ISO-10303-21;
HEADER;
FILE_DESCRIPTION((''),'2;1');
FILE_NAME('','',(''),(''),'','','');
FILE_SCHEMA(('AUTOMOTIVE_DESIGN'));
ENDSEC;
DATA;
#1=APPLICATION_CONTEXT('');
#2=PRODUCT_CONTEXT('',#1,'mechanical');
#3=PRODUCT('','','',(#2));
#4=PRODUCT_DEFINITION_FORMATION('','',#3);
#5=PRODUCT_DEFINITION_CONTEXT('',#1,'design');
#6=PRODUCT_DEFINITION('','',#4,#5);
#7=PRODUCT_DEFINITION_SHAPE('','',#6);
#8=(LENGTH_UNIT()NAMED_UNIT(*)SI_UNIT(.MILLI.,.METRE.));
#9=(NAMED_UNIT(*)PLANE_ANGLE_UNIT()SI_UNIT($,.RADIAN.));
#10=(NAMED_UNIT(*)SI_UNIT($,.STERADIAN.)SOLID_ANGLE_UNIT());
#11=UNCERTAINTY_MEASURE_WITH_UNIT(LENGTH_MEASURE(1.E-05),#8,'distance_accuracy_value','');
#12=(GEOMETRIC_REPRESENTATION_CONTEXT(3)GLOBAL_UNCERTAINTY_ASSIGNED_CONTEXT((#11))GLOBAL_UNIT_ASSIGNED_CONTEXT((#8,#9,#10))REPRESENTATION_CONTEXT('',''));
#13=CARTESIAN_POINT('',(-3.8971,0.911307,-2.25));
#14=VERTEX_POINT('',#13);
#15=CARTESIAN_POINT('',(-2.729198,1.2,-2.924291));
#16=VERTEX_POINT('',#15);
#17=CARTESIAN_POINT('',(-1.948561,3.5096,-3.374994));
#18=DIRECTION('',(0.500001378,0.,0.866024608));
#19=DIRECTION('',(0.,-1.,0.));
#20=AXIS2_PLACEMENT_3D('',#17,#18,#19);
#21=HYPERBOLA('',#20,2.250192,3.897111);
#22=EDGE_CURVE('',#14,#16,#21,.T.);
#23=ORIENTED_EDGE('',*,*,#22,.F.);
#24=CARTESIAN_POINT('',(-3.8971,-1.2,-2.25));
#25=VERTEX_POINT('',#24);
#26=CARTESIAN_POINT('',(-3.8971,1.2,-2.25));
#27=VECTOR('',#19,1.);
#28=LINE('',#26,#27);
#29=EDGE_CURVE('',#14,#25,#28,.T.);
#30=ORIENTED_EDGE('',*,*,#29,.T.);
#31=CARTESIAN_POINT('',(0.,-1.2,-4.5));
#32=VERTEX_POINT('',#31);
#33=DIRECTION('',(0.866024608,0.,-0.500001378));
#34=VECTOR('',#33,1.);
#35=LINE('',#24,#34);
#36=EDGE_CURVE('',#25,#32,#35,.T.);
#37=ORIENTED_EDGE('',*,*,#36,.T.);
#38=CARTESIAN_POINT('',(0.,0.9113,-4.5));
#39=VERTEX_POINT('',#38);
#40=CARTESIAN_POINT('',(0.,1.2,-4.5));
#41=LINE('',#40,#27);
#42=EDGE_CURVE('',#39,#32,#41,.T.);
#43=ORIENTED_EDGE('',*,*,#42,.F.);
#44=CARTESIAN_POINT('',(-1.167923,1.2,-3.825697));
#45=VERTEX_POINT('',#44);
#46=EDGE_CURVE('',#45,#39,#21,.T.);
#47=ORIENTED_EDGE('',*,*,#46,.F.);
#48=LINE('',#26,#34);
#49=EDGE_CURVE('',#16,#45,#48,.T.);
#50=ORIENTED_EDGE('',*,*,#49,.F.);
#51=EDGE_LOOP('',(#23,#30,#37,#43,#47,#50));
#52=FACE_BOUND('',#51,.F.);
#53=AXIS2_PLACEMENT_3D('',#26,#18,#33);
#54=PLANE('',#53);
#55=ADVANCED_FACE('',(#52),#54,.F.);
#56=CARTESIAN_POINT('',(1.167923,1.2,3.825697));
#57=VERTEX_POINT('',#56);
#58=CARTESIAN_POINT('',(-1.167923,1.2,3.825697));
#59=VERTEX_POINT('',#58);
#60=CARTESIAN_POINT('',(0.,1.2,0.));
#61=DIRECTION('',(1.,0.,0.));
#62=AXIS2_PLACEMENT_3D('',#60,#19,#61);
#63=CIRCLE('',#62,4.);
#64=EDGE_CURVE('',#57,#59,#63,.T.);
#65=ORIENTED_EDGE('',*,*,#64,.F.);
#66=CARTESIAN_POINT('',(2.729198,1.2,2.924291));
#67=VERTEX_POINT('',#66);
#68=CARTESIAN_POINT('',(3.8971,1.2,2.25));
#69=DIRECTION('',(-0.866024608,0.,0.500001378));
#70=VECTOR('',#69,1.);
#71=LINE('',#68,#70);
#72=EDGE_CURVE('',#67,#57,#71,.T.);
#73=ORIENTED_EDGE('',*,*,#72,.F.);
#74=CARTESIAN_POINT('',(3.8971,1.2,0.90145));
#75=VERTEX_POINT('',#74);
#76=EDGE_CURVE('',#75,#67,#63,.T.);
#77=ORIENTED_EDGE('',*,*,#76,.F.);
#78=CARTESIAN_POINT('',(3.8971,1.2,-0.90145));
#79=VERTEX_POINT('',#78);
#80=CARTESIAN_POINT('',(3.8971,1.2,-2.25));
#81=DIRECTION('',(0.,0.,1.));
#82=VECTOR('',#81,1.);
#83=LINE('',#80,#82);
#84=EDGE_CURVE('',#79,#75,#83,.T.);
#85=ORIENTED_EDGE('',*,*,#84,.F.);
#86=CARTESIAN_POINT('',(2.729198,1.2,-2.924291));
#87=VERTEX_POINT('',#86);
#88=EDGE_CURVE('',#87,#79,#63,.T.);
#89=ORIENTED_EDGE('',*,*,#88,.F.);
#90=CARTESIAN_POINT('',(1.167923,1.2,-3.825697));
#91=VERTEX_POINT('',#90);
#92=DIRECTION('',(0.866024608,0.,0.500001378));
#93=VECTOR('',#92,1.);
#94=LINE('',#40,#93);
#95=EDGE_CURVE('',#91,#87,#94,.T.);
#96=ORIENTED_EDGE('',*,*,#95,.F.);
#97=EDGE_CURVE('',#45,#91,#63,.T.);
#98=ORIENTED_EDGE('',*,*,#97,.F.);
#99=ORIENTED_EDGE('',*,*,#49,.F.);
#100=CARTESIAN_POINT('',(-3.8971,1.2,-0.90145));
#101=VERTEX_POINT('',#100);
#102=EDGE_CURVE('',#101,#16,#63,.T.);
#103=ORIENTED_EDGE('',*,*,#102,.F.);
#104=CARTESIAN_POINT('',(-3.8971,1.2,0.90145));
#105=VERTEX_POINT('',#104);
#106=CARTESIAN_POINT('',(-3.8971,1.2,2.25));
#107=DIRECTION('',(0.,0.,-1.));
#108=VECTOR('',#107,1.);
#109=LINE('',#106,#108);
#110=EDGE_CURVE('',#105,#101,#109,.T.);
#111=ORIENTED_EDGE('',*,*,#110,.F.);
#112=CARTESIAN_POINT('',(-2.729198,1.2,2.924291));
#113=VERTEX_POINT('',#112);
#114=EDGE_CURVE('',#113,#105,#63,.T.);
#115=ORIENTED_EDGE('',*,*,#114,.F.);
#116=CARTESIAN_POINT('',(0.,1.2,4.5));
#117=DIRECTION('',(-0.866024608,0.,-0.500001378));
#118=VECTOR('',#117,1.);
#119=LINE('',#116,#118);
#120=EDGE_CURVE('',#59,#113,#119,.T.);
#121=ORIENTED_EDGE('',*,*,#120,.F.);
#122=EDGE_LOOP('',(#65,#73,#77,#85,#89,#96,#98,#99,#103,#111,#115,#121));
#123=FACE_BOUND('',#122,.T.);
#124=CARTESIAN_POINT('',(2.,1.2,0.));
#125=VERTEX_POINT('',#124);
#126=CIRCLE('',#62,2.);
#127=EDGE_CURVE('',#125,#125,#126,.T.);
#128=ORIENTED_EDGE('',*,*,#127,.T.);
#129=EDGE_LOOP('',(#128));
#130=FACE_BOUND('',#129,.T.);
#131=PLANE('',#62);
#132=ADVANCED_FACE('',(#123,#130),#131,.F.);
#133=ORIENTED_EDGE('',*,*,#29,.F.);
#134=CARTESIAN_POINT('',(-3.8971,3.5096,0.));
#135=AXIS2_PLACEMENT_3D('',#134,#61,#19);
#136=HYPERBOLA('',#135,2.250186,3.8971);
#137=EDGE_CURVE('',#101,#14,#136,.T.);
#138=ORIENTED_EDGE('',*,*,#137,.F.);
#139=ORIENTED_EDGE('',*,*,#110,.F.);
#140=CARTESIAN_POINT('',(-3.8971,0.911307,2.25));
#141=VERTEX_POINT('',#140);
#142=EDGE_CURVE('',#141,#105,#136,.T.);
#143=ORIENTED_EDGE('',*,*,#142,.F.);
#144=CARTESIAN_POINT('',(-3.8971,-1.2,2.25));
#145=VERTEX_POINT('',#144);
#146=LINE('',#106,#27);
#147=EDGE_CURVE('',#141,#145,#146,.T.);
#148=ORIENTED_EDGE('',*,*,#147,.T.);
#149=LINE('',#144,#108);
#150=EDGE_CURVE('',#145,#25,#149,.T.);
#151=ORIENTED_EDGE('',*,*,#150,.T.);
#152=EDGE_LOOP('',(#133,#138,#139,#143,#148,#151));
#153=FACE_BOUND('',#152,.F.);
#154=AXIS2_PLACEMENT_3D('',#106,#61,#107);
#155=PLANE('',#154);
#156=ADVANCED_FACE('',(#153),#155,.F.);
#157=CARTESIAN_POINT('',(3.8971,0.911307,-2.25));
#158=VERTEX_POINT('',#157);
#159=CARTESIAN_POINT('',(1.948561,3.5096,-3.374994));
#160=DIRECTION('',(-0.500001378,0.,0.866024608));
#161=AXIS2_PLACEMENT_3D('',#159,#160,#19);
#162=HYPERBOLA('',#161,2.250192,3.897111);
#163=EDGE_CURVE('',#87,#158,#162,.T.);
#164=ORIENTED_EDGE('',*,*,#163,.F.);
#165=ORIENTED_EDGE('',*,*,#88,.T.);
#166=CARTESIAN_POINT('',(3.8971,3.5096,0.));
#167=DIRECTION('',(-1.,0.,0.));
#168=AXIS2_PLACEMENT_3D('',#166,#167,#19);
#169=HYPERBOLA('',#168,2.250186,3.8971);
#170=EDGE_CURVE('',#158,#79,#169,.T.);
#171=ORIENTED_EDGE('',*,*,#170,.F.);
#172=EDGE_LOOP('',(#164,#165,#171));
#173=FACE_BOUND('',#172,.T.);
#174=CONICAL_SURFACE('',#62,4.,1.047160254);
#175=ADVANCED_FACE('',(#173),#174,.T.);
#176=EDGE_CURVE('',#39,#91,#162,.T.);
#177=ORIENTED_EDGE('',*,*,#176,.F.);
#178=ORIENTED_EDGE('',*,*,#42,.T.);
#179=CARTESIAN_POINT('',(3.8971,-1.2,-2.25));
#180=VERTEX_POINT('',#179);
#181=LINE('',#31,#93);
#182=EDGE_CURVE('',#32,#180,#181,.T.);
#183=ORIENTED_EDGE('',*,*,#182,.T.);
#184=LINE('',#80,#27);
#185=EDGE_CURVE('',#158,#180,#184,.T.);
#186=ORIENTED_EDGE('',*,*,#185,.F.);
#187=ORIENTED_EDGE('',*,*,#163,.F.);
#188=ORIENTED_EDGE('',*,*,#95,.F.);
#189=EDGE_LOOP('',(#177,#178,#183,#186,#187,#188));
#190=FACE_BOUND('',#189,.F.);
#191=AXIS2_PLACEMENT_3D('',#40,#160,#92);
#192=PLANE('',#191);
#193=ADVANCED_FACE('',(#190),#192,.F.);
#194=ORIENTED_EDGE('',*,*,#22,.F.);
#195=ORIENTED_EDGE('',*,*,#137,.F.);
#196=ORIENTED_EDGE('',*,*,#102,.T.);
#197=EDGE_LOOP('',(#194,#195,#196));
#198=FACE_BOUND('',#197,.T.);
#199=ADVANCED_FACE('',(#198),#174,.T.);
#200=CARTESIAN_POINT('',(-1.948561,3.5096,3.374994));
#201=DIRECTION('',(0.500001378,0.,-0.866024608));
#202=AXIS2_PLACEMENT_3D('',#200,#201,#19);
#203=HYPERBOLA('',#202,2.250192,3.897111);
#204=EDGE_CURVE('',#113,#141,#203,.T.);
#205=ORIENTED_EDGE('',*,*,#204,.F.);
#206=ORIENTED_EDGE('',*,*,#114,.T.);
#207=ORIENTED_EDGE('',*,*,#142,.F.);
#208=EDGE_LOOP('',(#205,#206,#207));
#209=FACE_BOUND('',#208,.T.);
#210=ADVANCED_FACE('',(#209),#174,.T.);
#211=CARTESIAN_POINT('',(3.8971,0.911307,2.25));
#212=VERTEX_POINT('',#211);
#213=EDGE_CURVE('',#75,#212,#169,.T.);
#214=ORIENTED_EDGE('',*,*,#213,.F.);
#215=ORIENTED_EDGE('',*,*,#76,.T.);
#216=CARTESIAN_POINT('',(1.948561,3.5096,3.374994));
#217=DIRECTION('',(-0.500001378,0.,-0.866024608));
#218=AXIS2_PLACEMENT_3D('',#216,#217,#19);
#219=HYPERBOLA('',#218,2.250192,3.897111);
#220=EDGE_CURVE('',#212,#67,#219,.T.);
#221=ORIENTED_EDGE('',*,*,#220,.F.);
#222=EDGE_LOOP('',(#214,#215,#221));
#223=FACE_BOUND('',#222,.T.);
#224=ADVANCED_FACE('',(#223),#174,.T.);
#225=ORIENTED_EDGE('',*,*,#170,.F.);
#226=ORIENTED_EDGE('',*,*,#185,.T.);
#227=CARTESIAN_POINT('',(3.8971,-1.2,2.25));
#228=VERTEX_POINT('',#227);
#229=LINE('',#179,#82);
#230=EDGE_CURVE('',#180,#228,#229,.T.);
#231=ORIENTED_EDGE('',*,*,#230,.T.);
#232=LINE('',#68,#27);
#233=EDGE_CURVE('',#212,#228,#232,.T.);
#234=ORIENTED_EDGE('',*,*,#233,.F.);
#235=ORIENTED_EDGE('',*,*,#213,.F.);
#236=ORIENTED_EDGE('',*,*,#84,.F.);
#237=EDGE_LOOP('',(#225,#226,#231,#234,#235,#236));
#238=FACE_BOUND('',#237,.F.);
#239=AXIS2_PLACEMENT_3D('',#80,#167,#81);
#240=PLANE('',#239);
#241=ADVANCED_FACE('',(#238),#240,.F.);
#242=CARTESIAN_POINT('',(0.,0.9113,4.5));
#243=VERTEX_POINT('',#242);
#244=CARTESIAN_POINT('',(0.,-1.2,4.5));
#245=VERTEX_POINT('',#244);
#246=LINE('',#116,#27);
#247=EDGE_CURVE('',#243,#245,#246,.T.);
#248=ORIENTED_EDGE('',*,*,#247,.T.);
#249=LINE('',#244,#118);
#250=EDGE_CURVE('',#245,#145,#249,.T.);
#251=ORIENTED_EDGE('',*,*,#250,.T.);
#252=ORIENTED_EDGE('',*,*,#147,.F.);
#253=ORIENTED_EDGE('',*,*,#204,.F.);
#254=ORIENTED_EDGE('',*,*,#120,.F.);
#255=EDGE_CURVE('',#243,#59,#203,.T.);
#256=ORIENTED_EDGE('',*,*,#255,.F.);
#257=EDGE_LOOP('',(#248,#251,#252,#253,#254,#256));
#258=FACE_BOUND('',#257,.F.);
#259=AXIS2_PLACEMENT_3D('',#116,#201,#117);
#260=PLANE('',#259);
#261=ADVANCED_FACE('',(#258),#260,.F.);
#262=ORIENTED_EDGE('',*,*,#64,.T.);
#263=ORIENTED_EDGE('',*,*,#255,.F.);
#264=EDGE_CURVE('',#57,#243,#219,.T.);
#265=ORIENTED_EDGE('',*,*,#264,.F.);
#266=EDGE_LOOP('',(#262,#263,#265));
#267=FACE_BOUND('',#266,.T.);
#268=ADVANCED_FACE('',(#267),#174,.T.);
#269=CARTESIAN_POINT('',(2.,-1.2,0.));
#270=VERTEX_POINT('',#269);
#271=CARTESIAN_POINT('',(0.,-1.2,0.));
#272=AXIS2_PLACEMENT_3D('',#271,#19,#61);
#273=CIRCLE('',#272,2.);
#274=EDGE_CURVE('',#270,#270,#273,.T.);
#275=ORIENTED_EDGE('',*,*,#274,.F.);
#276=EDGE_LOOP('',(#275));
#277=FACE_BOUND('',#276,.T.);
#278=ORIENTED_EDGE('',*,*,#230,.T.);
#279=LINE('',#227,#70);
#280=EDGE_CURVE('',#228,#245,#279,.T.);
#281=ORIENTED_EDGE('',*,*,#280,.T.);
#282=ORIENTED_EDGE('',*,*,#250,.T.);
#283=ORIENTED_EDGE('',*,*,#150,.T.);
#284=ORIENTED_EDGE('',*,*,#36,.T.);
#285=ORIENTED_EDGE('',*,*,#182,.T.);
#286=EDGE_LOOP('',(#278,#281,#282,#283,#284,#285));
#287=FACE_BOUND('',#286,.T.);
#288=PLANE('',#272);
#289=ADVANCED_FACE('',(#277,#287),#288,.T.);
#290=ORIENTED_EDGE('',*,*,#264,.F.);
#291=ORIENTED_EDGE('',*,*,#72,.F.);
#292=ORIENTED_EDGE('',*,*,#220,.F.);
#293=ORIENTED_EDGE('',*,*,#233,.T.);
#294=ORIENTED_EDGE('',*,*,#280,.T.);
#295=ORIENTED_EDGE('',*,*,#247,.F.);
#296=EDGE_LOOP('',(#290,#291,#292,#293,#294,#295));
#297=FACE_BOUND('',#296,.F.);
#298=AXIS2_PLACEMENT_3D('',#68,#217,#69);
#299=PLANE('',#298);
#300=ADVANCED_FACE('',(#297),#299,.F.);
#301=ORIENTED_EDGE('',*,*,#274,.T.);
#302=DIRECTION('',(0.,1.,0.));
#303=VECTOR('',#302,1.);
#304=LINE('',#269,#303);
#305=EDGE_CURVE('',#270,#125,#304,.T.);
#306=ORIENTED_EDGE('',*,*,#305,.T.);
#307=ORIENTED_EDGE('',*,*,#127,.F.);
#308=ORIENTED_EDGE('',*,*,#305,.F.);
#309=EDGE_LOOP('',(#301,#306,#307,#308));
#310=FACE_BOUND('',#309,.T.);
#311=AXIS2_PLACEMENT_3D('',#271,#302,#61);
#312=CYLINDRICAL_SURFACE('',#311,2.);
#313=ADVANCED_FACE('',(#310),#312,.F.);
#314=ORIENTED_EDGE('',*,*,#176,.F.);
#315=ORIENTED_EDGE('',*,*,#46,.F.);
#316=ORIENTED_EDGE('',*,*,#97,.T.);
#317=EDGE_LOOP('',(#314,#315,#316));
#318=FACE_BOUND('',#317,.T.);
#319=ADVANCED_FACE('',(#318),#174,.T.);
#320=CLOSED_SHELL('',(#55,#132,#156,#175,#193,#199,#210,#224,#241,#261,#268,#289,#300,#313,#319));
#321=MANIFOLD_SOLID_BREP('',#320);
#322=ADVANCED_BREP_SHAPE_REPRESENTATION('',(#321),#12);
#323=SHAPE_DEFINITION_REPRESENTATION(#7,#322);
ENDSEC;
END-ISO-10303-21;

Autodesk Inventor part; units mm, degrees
ref_plane "YZ Plane" through (0, 0, 0) normal (1, 0, 0) x (0, 1, 0)
ref_plane "XZ Plane" through (0, 0, 0) normal (0, 1, 0) x (-1, 0, 0)
ref_plane "XY Plane" through (0, 0, 0) normal (0, 0, 1) x (1, 0, 0)
sketch "スケッチ1" plane through (0, 0, 0) normal (0, 0, 1) x (1, 0, 0)
  line L0 (2, 1.2) -> (4, 1.2)
  line L1 (4.5, 0.9113) -> (4.5, -1.2)
  line L2 (4.5, -1.2) -> (2, -1.2)
  line L3 (2, -1.2) -> (2, 1.2)
  line L4 (0, 1.2) -> (0, -1.2)
  line L5 (4, 1.2) -> (4.5, 0.9113)
  point P0 (0, 0)
  dimension "d0" = 1.2
  dimension "d1" = 2.4
  dimension "d2" = 2
  dimension "d3" = 4.5
  dimension "d4" = 2
  dimension "d5" = 30
revolve "回転1" add sketch "スケッチ1" angle 360 about axis through (0, 1.2, 0) along (0, -1, 0)
sketch "スケッチ2" plane through (0, 1.2, 0) normal (0, 1, 0) x (1, 0, 0)
  circle A0 centre (0, 0) radius 2 projected
  line L0 (0, 4.5) -> (3.8971, 2.25)
  line L1 (3.8971, 2.25) -> (3.8971, -2.25)
  line L2 (3.8971, -2.25) -> (0, -4.5)
  line L3 (0, -4.5) -> (-3.8971, -2.25)
  line L4 (-3.8971, -2.25) -> (-3.8971, 2.25)
  line L5 (-3.8971, 2.25) -> (0, 4.5)
  dimension "d7" = 4.5
extrude "押し出し1" cut sketch "スケッチ2" against normal blind 2.4 keep common part
thread "ねじ2" size "M4x0.7" class "6H" standard "ANSI Metric M Profile" full length
properties material "ステンレス鋼"
